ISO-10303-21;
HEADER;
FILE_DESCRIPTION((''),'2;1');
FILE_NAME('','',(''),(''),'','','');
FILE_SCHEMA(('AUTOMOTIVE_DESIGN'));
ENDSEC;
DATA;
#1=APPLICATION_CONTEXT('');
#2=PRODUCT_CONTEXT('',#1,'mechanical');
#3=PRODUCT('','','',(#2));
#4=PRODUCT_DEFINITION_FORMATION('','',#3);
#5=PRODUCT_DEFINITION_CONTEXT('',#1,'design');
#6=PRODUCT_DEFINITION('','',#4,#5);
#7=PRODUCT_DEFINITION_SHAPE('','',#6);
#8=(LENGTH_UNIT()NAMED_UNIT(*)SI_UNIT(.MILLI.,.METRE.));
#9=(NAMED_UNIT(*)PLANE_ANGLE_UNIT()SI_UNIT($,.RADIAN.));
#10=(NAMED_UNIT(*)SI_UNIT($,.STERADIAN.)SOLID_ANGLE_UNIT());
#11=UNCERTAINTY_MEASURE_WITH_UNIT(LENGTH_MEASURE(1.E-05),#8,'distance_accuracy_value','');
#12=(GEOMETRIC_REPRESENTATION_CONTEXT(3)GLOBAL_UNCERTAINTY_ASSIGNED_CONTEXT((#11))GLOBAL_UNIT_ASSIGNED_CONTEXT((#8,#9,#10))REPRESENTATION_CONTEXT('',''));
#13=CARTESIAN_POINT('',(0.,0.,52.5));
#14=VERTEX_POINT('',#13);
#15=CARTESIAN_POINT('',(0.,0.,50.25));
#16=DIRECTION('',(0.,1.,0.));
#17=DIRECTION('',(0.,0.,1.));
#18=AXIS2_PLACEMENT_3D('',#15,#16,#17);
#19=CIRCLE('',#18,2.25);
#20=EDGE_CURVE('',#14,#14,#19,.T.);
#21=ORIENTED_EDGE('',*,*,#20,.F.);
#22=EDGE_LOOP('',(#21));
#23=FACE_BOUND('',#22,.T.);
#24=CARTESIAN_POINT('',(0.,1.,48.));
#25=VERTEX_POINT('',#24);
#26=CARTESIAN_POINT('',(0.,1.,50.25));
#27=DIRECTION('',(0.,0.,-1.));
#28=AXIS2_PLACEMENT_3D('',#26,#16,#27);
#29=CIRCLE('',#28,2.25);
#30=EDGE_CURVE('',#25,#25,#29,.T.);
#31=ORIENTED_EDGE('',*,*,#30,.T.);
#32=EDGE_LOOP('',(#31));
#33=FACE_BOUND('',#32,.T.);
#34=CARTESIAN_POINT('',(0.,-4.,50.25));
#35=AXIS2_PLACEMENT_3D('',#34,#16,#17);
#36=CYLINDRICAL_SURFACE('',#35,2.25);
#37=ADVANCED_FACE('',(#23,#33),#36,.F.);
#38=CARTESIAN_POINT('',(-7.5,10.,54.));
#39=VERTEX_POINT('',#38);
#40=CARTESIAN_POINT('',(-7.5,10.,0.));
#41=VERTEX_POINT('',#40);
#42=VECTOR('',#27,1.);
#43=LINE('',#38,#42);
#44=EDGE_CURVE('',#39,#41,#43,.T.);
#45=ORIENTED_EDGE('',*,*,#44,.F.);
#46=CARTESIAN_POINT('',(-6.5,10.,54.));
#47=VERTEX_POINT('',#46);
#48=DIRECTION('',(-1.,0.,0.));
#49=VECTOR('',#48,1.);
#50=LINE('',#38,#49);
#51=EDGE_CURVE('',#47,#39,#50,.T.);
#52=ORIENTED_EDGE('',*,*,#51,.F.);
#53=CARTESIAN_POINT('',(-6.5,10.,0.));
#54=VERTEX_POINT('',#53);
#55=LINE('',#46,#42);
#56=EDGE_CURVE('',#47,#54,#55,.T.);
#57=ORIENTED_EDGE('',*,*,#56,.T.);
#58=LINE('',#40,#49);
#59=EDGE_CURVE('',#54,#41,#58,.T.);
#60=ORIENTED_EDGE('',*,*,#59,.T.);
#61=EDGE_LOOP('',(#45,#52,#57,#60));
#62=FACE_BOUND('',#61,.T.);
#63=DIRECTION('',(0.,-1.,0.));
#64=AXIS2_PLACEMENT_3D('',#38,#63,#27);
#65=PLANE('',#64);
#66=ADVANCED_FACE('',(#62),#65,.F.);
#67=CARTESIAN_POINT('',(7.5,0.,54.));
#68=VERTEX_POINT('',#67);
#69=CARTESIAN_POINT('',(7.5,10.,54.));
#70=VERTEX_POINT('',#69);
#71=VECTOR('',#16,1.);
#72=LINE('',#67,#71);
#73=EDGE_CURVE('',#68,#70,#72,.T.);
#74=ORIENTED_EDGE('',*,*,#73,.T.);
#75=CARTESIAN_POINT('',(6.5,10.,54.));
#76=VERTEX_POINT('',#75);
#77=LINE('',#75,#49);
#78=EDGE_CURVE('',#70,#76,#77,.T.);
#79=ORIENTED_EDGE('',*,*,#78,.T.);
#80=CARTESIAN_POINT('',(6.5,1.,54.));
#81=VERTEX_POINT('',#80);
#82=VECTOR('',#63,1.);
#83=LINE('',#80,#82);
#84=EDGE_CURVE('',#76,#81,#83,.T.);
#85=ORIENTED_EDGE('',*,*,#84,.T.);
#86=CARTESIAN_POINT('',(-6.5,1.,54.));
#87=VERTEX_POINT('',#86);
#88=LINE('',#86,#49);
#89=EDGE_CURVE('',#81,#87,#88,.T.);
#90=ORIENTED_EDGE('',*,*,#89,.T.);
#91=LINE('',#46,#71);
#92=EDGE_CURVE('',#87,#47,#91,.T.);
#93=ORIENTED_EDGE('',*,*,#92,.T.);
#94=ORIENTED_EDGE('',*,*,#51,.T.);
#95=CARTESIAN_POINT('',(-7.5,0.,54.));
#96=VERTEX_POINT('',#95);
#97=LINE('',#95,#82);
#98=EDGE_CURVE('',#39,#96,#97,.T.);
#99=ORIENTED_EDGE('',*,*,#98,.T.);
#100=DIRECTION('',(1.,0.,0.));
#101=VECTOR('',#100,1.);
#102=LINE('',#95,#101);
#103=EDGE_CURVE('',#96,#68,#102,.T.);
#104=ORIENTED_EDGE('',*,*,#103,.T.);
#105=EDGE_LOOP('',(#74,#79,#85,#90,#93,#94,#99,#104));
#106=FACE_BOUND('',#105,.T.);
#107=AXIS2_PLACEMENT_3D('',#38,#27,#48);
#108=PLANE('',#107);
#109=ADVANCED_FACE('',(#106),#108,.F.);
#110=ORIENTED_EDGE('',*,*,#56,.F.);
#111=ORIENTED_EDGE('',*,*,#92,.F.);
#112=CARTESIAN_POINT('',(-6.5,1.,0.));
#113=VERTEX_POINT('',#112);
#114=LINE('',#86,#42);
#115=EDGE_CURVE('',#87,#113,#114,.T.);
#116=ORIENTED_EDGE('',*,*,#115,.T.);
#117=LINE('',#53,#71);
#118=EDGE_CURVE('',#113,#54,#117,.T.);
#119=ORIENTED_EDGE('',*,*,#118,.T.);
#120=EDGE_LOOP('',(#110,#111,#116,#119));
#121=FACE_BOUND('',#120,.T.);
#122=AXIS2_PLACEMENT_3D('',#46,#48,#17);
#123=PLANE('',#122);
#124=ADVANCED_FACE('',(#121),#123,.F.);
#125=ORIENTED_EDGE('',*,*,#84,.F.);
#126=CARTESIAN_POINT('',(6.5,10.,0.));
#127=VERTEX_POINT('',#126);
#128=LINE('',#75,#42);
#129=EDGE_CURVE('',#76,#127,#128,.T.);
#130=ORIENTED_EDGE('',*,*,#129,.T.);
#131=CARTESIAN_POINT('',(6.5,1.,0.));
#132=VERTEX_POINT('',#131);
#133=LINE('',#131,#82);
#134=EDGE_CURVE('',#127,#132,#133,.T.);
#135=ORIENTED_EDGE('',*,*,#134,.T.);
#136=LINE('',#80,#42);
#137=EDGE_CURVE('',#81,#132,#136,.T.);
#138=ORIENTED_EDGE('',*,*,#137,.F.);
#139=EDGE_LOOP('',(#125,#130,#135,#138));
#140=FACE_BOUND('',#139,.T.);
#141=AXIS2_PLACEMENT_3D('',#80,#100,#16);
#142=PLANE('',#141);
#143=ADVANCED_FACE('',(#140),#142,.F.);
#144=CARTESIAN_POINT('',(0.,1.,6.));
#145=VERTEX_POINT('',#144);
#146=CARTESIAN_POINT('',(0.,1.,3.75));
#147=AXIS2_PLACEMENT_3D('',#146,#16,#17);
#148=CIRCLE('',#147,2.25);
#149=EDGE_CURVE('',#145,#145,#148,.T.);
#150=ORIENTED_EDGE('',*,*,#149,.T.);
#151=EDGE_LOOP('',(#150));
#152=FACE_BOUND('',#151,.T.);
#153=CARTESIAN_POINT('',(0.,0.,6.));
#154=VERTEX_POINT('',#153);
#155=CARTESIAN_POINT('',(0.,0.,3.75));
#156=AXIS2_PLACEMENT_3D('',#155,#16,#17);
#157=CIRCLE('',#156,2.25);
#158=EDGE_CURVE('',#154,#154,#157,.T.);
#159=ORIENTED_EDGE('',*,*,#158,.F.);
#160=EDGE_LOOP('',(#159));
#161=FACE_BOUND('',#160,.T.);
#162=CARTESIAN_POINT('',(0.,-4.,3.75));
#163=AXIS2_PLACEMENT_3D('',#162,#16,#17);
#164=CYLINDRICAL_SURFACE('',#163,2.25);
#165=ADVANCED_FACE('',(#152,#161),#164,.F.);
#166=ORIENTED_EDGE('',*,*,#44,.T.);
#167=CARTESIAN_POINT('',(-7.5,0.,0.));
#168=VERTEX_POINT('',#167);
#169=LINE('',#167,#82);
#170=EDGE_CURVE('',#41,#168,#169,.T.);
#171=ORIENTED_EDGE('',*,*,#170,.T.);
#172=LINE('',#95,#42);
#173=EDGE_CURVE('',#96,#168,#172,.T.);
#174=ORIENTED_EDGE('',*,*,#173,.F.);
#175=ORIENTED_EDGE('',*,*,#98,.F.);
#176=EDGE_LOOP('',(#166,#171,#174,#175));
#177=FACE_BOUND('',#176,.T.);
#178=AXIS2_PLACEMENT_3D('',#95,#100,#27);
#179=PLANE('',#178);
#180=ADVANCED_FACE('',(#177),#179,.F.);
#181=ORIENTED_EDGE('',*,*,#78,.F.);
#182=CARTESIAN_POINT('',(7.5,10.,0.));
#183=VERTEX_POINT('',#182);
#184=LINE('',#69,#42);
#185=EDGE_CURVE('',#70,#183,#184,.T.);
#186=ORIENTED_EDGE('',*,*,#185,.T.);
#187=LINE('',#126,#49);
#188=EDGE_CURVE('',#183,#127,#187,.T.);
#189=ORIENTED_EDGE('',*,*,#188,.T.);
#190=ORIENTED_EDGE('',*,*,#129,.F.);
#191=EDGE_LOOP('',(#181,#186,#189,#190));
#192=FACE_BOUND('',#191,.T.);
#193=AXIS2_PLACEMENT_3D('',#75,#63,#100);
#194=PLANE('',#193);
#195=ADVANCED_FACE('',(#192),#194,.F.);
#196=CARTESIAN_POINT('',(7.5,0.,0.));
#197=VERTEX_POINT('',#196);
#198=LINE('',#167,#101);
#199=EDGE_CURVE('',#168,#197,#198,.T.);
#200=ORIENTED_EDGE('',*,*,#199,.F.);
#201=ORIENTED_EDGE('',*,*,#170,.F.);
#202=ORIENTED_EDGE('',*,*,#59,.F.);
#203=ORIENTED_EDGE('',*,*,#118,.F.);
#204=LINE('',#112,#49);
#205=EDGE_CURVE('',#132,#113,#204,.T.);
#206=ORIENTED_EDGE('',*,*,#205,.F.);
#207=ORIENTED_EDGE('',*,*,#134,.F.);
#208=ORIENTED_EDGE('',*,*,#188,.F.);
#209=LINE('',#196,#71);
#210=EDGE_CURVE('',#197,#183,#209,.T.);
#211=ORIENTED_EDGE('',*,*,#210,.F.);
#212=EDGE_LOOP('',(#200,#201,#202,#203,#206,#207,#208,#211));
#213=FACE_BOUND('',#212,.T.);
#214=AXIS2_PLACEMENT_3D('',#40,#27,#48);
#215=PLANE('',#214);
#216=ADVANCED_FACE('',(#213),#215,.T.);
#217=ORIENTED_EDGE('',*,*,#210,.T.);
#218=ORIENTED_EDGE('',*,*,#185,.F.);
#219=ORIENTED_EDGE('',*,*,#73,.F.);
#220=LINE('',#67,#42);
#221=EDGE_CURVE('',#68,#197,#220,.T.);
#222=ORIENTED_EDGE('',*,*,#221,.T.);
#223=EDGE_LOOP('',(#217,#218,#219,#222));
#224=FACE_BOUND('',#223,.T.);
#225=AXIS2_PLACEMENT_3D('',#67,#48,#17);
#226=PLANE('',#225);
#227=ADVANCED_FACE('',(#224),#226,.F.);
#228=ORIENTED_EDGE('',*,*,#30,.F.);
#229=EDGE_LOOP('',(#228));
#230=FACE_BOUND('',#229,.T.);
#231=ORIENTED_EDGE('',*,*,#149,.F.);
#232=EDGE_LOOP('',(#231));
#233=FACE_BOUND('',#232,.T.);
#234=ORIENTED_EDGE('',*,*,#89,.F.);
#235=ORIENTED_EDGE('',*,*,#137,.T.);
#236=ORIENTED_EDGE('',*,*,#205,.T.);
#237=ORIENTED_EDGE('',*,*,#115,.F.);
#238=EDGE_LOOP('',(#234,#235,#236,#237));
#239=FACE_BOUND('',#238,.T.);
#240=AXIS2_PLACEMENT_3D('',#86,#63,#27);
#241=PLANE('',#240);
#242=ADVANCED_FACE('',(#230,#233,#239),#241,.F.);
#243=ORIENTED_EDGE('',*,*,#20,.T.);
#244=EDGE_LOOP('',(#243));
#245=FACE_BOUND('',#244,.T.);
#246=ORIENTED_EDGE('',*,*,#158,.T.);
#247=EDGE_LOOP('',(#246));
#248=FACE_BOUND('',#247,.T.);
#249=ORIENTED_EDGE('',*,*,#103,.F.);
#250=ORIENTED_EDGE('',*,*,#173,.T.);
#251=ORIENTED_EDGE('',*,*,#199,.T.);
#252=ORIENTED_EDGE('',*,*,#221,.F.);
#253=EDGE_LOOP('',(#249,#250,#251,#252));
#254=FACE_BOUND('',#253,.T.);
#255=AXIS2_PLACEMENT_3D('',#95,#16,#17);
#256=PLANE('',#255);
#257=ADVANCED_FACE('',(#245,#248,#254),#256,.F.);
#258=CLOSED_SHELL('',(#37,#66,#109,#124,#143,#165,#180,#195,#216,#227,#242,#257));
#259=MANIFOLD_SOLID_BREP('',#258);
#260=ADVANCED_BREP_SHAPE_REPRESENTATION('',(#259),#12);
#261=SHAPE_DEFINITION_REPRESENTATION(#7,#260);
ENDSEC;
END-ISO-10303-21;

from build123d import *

# Parameters (mm, degrees)
EXTRUDE_1_DEPTH     = 54
SKETCH_2_R          = 2.25
CUT_EXTRUDE_1_DEPTH = 5


with BuildPart() as part:
    # Эскиз1 → Вытянуть1 (new body)
    with BuildSketch(Plane.XY):
        Polygon((-6.5, 10), (-6.5, 1), (6.5, 1), (6.5, 10), (7.5, 10), (7.5, 0), (-7.5, 0), (-7.5, 10), align=None)
    extrude(amount=EXTRUDE_1_DEPTH)

    # Эскиз2 → Вырез-Вытянуть1 (cut)
    with BuildSketch(Plane(origin=(0, 1, 0), x_dir=(1, 0, 0), z_dir=(0, 1, 0))):
        with Locations(Location((0, -3.75, 0), (0, 0, 270))):
            Circle(SKETCH_2_R)
        with Locations(Location((0, -50.25, 0), (0, 0, 270))):
            Circle(SKETCH_2_R)
    extrude(amount=-CUT_EXTRUDE_1_DEPTH, mode=Mode.SUBTRACT)


solid = part.part
